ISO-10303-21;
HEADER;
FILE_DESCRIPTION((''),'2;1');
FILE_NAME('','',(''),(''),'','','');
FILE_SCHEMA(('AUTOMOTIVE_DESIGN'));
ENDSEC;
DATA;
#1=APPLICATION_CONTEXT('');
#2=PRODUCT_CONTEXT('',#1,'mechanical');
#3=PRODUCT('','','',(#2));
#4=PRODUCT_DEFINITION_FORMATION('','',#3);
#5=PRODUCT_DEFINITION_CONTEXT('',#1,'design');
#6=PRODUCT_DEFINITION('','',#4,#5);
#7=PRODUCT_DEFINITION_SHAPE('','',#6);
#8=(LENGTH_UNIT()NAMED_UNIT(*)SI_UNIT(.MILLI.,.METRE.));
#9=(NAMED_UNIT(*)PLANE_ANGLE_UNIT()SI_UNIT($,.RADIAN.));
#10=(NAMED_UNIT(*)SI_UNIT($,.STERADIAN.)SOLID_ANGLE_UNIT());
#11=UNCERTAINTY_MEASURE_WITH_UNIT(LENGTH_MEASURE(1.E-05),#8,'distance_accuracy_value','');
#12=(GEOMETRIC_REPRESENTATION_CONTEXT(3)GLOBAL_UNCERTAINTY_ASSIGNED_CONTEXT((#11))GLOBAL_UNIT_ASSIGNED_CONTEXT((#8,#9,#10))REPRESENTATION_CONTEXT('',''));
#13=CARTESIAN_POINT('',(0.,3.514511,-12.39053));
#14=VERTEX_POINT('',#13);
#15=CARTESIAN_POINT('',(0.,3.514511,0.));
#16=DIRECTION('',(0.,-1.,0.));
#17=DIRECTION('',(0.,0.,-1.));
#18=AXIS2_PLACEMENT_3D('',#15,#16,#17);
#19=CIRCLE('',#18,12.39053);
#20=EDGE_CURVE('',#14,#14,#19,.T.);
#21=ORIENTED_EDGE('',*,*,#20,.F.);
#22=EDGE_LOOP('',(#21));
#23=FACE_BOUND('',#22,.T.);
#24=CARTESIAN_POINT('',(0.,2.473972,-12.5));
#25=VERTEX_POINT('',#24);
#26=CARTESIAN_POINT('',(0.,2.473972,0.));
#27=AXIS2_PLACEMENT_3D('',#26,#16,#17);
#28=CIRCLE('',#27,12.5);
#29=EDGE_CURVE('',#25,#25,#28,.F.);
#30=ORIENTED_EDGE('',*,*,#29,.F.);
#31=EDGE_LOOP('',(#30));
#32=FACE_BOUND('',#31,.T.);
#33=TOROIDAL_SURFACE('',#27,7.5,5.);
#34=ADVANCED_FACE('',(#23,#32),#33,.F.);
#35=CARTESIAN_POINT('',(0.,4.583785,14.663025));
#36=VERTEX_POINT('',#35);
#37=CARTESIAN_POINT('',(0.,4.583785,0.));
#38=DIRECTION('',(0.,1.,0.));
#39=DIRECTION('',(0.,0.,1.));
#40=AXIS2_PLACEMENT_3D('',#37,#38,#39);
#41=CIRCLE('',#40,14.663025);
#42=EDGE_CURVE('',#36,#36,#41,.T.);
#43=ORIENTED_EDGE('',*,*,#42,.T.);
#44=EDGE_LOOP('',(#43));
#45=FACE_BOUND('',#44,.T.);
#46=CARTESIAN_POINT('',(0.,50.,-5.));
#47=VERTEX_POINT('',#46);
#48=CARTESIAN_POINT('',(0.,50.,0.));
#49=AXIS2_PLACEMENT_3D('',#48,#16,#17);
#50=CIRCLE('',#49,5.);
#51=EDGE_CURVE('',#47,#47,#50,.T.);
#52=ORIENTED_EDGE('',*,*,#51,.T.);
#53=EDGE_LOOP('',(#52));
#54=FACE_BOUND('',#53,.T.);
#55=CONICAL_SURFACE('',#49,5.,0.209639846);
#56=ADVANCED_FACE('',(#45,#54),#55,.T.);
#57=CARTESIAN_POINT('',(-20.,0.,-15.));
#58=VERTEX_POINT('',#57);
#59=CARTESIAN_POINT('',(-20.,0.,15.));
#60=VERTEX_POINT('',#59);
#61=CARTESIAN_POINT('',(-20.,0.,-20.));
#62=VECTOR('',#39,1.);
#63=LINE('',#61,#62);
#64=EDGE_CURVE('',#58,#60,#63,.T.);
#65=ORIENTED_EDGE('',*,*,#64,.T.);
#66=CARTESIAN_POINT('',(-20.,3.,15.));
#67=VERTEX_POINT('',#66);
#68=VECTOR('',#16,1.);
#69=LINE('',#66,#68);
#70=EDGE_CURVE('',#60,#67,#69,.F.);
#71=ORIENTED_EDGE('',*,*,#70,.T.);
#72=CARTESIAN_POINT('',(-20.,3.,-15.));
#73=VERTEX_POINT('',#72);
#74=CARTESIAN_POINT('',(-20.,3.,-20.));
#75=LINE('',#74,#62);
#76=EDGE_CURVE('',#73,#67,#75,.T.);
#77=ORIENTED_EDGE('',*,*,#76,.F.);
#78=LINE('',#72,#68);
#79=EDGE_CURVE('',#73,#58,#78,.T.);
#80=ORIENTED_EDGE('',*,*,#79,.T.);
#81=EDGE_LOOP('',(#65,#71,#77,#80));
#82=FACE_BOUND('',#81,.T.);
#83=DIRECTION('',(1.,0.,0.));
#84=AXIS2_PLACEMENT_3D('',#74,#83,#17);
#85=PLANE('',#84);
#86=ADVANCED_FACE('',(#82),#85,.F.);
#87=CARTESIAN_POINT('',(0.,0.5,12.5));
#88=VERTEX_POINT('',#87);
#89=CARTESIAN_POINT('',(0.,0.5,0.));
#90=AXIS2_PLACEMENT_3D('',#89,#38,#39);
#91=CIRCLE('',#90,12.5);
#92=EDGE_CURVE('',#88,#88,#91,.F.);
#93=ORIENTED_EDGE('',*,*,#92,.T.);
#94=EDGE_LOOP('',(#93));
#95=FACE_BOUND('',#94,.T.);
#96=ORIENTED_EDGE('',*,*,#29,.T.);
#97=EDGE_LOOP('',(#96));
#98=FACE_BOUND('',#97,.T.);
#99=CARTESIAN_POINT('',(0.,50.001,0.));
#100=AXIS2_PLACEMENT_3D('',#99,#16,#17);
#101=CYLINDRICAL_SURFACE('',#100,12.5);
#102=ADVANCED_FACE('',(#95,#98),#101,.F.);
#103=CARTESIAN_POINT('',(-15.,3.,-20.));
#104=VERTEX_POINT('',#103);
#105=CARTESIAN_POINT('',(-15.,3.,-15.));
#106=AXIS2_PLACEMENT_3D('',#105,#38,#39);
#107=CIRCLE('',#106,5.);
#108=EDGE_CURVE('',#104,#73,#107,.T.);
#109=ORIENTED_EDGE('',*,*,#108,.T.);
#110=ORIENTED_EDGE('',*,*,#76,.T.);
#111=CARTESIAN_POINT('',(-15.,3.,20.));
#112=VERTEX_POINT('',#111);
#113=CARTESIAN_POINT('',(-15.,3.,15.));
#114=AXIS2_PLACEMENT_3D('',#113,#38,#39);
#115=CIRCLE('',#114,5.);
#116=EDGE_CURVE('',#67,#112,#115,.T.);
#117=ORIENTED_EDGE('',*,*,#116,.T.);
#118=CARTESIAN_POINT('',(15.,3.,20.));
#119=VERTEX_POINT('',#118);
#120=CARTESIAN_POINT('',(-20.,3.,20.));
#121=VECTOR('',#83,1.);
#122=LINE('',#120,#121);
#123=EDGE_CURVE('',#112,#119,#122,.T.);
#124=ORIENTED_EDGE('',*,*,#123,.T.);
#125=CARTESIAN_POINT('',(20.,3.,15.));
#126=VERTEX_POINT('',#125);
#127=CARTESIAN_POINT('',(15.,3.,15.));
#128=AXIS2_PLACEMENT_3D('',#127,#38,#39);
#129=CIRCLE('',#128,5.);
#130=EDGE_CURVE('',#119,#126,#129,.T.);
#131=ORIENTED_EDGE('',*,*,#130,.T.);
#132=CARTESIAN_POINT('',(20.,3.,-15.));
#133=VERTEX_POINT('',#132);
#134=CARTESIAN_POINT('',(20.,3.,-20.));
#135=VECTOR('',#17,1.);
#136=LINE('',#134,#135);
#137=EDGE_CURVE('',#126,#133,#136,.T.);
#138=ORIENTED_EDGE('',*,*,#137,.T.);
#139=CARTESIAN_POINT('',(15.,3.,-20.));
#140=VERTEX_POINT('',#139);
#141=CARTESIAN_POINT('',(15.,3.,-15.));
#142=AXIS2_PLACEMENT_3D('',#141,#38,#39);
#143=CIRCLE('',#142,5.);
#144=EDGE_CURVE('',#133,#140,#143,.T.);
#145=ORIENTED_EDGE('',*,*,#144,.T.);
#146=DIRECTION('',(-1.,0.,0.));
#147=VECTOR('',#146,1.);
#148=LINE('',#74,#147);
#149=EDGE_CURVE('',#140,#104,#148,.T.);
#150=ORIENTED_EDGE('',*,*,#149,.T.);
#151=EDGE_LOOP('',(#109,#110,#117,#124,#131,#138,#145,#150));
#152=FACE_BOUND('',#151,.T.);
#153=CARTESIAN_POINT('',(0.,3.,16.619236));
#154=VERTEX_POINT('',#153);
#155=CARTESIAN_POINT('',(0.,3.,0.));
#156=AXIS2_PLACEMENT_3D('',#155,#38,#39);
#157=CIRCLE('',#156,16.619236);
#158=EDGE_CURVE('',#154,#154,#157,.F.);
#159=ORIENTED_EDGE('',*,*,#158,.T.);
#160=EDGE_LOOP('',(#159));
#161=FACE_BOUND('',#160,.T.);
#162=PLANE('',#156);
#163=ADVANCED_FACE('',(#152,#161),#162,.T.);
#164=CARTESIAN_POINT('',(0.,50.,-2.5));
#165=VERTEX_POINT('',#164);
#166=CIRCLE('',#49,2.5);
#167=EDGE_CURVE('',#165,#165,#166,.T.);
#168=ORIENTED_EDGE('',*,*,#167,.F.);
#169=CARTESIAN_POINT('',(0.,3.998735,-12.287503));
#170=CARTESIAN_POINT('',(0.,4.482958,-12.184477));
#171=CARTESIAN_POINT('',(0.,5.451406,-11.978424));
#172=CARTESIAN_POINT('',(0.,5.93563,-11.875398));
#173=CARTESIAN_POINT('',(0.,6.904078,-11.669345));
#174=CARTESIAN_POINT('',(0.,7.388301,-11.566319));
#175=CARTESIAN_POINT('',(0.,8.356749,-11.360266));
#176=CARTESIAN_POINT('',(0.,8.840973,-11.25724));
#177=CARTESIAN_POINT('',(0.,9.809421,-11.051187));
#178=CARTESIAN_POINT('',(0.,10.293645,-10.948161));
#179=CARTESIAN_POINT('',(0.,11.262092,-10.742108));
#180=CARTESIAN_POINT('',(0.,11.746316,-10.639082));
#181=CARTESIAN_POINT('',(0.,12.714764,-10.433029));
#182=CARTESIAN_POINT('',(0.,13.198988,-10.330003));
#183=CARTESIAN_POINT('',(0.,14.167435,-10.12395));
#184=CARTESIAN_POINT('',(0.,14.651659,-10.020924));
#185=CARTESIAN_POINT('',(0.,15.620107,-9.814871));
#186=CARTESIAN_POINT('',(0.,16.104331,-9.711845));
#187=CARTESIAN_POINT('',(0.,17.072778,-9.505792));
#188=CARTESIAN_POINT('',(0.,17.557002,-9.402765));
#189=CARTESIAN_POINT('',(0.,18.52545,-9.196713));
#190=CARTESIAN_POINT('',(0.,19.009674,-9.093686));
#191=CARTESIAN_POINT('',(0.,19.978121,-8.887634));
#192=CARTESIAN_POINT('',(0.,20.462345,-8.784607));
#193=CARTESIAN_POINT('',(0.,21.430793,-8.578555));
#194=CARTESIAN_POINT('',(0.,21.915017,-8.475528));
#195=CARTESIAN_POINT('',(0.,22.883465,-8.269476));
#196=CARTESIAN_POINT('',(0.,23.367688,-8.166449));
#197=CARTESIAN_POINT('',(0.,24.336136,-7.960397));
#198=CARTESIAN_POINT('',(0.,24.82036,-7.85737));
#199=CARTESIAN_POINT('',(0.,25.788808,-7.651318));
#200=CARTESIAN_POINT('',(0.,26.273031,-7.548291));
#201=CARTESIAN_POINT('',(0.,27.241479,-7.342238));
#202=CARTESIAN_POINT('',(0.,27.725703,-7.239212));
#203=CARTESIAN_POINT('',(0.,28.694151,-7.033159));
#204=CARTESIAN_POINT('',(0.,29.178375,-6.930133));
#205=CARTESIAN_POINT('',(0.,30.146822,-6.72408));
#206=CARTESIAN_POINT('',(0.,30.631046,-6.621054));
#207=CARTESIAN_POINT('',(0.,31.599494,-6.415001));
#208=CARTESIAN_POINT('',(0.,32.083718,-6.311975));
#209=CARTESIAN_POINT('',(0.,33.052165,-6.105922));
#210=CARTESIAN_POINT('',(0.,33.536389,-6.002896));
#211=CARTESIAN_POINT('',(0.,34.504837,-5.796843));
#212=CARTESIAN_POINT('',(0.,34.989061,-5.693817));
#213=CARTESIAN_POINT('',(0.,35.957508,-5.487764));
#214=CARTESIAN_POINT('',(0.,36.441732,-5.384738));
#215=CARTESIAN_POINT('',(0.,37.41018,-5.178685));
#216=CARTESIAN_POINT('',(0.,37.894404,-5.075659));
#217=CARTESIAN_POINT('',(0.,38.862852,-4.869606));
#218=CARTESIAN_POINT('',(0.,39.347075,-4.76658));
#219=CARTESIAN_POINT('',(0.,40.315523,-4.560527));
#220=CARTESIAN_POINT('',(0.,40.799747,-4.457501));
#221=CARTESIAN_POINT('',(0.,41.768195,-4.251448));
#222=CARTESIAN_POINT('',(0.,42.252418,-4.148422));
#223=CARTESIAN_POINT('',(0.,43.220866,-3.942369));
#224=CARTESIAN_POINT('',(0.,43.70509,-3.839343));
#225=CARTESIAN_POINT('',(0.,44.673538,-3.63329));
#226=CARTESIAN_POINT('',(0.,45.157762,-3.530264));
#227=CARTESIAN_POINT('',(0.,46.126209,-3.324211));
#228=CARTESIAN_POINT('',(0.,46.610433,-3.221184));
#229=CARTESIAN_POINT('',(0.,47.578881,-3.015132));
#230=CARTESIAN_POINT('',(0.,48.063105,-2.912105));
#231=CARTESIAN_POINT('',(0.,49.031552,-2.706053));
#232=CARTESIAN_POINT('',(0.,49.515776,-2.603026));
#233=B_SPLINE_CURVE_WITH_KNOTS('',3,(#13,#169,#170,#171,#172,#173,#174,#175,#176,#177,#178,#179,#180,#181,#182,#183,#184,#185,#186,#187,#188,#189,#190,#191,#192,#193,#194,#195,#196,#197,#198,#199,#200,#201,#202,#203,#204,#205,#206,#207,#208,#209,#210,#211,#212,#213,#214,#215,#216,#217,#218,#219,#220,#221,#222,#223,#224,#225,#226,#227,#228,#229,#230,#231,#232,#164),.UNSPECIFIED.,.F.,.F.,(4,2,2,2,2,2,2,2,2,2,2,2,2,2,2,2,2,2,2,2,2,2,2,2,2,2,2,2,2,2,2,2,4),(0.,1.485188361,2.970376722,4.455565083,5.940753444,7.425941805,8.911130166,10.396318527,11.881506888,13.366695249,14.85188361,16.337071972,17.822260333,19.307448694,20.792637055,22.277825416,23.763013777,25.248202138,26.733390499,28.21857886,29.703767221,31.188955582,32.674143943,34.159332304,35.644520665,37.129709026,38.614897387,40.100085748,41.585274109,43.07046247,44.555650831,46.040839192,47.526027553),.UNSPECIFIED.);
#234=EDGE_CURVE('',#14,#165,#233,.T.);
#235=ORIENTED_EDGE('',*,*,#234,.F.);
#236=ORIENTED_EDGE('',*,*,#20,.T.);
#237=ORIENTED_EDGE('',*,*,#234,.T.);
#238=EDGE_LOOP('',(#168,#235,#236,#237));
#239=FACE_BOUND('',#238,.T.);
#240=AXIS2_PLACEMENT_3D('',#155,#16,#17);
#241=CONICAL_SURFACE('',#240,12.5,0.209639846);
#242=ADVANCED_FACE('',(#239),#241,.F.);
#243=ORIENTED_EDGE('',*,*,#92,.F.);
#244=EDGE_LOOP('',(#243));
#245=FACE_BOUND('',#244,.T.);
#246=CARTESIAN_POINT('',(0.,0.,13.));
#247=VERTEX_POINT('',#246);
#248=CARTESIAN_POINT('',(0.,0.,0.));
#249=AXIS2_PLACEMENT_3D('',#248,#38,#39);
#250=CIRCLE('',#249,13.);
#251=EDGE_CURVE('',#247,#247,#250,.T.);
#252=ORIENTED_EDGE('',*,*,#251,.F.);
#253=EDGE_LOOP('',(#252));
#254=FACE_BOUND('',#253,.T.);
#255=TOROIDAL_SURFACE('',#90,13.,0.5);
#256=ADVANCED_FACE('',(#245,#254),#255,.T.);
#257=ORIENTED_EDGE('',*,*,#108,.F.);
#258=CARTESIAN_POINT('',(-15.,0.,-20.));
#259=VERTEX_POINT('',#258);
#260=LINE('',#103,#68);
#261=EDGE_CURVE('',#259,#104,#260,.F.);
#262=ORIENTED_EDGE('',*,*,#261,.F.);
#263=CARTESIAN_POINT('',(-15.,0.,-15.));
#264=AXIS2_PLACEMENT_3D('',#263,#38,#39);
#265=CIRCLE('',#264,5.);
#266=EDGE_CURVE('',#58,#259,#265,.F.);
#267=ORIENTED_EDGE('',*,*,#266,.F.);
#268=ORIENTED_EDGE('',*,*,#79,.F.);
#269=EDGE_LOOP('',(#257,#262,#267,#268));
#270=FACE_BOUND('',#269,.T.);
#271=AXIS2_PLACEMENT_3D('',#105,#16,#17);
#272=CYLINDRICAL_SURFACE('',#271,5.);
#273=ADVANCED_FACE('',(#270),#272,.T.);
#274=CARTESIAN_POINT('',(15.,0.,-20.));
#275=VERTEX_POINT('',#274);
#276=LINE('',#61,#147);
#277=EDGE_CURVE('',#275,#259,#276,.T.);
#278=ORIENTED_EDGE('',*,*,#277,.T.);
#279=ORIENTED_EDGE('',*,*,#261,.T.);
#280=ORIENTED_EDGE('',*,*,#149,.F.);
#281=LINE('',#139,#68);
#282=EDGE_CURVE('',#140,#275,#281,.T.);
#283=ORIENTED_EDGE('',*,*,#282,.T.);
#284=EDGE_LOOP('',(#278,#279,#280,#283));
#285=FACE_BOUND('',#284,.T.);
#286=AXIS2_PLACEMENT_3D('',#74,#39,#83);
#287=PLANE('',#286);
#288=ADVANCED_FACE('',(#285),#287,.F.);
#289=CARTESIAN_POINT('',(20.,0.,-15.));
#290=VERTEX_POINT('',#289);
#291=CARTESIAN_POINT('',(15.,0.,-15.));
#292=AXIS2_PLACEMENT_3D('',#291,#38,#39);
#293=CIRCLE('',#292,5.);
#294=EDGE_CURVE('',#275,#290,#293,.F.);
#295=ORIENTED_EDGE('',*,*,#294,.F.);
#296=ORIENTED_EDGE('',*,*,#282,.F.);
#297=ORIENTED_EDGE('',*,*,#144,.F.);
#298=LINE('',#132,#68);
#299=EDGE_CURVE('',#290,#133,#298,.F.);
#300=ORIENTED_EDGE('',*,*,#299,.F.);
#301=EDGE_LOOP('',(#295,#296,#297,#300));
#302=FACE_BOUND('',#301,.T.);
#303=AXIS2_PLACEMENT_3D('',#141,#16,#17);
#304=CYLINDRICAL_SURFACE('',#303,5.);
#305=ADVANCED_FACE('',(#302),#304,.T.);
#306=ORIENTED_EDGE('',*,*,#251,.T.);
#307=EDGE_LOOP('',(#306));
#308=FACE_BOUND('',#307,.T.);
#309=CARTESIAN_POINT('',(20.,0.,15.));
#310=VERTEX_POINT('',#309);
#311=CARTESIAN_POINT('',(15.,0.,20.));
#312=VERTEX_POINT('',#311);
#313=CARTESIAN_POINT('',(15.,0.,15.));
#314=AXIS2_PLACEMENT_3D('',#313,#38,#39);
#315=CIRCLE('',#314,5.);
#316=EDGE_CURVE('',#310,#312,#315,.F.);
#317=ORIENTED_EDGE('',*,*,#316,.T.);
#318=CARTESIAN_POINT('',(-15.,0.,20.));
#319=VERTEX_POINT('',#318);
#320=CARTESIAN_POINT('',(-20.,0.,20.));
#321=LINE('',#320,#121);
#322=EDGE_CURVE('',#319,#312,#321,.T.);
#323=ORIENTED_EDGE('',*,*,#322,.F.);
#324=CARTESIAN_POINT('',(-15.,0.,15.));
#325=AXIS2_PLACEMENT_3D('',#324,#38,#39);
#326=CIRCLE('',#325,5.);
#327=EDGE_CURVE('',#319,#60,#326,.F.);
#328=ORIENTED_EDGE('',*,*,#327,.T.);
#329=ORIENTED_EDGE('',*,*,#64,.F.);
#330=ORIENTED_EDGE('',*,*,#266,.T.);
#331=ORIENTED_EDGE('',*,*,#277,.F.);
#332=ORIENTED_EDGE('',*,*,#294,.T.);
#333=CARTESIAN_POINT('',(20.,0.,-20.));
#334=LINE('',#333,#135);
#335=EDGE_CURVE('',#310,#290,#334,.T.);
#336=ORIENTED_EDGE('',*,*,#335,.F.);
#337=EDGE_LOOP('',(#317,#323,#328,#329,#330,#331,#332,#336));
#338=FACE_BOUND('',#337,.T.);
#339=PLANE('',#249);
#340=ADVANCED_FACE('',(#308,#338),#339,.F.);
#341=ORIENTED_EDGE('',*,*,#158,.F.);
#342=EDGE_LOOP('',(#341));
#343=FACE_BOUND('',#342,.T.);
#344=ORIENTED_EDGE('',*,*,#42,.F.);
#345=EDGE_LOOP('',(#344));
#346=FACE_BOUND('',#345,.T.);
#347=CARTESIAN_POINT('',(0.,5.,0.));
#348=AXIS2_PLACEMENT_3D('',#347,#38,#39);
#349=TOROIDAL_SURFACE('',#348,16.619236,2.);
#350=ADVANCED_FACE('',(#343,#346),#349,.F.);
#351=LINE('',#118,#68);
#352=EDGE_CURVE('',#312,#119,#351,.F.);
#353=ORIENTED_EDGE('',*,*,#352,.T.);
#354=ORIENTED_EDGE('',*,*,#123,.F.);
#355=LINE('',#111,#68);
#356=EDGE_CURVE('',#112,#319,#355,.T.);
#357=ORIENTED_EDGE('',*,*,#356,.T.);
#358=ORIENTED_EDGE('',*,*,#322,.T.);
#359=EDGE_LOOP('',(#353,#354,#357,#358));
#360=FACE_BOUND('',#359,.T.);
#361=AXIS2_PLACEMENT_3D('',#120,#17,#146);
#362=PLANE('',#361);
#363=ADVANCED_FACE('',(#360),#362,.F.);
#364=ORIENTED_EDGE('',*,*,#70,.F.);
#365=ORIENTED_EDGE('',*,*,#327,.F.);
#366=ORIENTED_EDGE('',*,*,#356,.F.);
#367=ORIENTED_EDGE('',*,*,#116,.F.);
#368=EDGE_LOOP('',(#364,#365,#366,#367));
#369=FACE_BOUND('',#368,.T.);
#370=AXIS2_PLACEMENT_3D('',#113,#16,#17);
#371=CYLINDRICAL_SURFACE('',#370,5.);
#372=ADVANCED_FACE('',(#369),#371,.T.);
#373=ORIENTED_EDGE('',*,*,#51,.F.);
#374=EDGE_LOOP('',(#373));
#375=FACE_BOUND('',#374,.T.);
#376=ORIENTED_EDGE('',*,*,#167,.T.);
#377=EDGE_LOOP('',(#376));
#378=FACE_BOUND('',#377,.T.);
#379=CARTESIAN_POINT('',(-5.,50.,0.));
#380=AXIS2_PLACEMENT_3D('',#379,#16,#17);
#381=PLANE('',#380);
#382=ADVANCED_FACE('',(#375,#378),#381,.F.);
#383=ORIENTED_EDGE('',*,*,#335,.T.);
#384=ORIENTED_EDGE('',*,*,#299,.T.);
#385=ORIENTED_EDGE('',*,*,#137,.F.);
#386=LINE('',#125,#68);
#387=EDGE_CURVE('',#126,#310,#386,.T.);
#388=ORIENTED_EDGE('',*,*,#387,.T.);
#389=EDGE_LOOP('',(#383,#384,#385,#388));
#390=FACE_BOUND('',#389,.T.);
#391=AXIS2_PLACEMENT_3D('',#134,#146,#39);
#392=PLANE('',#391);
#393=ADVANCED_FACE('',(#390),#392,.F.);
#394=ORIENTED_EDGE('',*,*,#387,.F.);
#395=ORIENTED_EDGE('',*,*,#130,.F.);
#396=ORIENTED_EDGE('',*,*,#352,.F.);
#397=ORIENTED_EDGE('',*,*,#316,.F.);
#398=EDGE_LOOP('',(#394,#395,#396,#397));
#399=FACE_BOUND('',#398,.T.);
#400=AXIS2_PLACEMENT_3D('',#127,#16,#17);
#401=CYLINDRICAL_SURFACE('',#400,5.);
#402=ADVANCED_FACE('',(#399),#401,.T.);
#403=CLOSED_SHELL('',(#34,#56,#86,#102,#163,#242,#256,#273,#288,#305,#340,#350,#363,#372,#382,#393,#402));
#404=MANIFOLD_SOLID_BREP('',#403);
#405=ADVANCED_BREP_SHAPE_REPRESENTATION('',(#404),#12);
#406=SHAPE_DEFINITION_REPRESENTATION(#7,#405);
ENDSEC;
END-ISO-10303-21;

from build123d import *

# Parameters (mm, degrees)
SKETCH2_W           = 40
SKETCH2_H           = 40
BOSS_EXTRUDE1_DEPTH = 3
FILLET1_R           = 5
CUT_EXTRUDE1_REACH  = 59.446
SKETCH4_R           = 12.5
FILLET2_R           = 5
FILLET3_R           = 2
FILLET4_R           = 0.5


with BuildPart() as part:
    # Sketch2 → Boss-Extrude1 (new body)
    with BuildSketch(Plane(origin=(0, 0, 0), x_dir=(1, 0, 0), z_dir=(0, 1, 0))):
        Rectangle(SKETCH2_W, SKETCH2_H)
    extrude(amount=BOSS_EXTRUDE1_DEPTH)

    # Sketch3 → Revolve1 (revolve)
    with BuildSketch(Plane.XY, mode=Mode.PRIVATE) as revolve1_sk:
        Polygon((-15, 3), (-5, 50), (-2.5, 50), (-12.5, 3), align=None)
    revolve(revolve1_sk.sketch.rotate(Axis((0, -2.5, 0), (0, 1, 0)), 270), axis=Axis((0, -2.5, 0), (0, 1, 0)))

    # Fillet1
    fillet1_edges = [part.edges().sort_by_distance(p)[0] for p in [
        (20, 1.5, 20),
        (-20, 1.5, 20),
        (-20, 1.5, -20),
        (20, 1.5, -20),
    ]]
    fillet(fillet1_edges, radius=FILLET1_R)

    # Sketch4 → Cut-Extrude1 (cut, up to next)
    with BuildSketch(Plane.XZ, mode=Mode.PRIVATE) as cut_extrude1_sk1:
        with Locations(Location((0, 0, 0), (0, 0, 270))):
            Circle(SKETCH4_R)
    cut_extrude1_tool1 = extrude(cut_extrude1_sk1.sketch, amount=-CUT_EXTRUDE1_REACH, mode=Mode.PRIVATE) & part.part
    add(cut_extrude1_tool1.solids().sort_by_distance((0, 0, 0))[0], mode=Mode.SUBTRACT)

    # Fillet2
    fillet2_edges = [part.edges().sort_by_distance(p)[0] for p in [
        (0, 3, 12.5),
    ]]
    fillet(fillet2_edges, radius=FILLET2_R)

    # Fillet3
    fillet3_edges = [part.edges().sort_by_distance(p)[0] for p in [
        (0, 3, 15),
    ]]
    fillet(fillet3_edges, radius=FILLET3_R)

    # Fillet4
    fillet4_edges = [part.edges().sort_by_distance(p)[0] for p in [
        (0, 0, 12.5),
    ]]
    fillet(fillet4_edges, radius=FILLET4_R)


solid = part.part
